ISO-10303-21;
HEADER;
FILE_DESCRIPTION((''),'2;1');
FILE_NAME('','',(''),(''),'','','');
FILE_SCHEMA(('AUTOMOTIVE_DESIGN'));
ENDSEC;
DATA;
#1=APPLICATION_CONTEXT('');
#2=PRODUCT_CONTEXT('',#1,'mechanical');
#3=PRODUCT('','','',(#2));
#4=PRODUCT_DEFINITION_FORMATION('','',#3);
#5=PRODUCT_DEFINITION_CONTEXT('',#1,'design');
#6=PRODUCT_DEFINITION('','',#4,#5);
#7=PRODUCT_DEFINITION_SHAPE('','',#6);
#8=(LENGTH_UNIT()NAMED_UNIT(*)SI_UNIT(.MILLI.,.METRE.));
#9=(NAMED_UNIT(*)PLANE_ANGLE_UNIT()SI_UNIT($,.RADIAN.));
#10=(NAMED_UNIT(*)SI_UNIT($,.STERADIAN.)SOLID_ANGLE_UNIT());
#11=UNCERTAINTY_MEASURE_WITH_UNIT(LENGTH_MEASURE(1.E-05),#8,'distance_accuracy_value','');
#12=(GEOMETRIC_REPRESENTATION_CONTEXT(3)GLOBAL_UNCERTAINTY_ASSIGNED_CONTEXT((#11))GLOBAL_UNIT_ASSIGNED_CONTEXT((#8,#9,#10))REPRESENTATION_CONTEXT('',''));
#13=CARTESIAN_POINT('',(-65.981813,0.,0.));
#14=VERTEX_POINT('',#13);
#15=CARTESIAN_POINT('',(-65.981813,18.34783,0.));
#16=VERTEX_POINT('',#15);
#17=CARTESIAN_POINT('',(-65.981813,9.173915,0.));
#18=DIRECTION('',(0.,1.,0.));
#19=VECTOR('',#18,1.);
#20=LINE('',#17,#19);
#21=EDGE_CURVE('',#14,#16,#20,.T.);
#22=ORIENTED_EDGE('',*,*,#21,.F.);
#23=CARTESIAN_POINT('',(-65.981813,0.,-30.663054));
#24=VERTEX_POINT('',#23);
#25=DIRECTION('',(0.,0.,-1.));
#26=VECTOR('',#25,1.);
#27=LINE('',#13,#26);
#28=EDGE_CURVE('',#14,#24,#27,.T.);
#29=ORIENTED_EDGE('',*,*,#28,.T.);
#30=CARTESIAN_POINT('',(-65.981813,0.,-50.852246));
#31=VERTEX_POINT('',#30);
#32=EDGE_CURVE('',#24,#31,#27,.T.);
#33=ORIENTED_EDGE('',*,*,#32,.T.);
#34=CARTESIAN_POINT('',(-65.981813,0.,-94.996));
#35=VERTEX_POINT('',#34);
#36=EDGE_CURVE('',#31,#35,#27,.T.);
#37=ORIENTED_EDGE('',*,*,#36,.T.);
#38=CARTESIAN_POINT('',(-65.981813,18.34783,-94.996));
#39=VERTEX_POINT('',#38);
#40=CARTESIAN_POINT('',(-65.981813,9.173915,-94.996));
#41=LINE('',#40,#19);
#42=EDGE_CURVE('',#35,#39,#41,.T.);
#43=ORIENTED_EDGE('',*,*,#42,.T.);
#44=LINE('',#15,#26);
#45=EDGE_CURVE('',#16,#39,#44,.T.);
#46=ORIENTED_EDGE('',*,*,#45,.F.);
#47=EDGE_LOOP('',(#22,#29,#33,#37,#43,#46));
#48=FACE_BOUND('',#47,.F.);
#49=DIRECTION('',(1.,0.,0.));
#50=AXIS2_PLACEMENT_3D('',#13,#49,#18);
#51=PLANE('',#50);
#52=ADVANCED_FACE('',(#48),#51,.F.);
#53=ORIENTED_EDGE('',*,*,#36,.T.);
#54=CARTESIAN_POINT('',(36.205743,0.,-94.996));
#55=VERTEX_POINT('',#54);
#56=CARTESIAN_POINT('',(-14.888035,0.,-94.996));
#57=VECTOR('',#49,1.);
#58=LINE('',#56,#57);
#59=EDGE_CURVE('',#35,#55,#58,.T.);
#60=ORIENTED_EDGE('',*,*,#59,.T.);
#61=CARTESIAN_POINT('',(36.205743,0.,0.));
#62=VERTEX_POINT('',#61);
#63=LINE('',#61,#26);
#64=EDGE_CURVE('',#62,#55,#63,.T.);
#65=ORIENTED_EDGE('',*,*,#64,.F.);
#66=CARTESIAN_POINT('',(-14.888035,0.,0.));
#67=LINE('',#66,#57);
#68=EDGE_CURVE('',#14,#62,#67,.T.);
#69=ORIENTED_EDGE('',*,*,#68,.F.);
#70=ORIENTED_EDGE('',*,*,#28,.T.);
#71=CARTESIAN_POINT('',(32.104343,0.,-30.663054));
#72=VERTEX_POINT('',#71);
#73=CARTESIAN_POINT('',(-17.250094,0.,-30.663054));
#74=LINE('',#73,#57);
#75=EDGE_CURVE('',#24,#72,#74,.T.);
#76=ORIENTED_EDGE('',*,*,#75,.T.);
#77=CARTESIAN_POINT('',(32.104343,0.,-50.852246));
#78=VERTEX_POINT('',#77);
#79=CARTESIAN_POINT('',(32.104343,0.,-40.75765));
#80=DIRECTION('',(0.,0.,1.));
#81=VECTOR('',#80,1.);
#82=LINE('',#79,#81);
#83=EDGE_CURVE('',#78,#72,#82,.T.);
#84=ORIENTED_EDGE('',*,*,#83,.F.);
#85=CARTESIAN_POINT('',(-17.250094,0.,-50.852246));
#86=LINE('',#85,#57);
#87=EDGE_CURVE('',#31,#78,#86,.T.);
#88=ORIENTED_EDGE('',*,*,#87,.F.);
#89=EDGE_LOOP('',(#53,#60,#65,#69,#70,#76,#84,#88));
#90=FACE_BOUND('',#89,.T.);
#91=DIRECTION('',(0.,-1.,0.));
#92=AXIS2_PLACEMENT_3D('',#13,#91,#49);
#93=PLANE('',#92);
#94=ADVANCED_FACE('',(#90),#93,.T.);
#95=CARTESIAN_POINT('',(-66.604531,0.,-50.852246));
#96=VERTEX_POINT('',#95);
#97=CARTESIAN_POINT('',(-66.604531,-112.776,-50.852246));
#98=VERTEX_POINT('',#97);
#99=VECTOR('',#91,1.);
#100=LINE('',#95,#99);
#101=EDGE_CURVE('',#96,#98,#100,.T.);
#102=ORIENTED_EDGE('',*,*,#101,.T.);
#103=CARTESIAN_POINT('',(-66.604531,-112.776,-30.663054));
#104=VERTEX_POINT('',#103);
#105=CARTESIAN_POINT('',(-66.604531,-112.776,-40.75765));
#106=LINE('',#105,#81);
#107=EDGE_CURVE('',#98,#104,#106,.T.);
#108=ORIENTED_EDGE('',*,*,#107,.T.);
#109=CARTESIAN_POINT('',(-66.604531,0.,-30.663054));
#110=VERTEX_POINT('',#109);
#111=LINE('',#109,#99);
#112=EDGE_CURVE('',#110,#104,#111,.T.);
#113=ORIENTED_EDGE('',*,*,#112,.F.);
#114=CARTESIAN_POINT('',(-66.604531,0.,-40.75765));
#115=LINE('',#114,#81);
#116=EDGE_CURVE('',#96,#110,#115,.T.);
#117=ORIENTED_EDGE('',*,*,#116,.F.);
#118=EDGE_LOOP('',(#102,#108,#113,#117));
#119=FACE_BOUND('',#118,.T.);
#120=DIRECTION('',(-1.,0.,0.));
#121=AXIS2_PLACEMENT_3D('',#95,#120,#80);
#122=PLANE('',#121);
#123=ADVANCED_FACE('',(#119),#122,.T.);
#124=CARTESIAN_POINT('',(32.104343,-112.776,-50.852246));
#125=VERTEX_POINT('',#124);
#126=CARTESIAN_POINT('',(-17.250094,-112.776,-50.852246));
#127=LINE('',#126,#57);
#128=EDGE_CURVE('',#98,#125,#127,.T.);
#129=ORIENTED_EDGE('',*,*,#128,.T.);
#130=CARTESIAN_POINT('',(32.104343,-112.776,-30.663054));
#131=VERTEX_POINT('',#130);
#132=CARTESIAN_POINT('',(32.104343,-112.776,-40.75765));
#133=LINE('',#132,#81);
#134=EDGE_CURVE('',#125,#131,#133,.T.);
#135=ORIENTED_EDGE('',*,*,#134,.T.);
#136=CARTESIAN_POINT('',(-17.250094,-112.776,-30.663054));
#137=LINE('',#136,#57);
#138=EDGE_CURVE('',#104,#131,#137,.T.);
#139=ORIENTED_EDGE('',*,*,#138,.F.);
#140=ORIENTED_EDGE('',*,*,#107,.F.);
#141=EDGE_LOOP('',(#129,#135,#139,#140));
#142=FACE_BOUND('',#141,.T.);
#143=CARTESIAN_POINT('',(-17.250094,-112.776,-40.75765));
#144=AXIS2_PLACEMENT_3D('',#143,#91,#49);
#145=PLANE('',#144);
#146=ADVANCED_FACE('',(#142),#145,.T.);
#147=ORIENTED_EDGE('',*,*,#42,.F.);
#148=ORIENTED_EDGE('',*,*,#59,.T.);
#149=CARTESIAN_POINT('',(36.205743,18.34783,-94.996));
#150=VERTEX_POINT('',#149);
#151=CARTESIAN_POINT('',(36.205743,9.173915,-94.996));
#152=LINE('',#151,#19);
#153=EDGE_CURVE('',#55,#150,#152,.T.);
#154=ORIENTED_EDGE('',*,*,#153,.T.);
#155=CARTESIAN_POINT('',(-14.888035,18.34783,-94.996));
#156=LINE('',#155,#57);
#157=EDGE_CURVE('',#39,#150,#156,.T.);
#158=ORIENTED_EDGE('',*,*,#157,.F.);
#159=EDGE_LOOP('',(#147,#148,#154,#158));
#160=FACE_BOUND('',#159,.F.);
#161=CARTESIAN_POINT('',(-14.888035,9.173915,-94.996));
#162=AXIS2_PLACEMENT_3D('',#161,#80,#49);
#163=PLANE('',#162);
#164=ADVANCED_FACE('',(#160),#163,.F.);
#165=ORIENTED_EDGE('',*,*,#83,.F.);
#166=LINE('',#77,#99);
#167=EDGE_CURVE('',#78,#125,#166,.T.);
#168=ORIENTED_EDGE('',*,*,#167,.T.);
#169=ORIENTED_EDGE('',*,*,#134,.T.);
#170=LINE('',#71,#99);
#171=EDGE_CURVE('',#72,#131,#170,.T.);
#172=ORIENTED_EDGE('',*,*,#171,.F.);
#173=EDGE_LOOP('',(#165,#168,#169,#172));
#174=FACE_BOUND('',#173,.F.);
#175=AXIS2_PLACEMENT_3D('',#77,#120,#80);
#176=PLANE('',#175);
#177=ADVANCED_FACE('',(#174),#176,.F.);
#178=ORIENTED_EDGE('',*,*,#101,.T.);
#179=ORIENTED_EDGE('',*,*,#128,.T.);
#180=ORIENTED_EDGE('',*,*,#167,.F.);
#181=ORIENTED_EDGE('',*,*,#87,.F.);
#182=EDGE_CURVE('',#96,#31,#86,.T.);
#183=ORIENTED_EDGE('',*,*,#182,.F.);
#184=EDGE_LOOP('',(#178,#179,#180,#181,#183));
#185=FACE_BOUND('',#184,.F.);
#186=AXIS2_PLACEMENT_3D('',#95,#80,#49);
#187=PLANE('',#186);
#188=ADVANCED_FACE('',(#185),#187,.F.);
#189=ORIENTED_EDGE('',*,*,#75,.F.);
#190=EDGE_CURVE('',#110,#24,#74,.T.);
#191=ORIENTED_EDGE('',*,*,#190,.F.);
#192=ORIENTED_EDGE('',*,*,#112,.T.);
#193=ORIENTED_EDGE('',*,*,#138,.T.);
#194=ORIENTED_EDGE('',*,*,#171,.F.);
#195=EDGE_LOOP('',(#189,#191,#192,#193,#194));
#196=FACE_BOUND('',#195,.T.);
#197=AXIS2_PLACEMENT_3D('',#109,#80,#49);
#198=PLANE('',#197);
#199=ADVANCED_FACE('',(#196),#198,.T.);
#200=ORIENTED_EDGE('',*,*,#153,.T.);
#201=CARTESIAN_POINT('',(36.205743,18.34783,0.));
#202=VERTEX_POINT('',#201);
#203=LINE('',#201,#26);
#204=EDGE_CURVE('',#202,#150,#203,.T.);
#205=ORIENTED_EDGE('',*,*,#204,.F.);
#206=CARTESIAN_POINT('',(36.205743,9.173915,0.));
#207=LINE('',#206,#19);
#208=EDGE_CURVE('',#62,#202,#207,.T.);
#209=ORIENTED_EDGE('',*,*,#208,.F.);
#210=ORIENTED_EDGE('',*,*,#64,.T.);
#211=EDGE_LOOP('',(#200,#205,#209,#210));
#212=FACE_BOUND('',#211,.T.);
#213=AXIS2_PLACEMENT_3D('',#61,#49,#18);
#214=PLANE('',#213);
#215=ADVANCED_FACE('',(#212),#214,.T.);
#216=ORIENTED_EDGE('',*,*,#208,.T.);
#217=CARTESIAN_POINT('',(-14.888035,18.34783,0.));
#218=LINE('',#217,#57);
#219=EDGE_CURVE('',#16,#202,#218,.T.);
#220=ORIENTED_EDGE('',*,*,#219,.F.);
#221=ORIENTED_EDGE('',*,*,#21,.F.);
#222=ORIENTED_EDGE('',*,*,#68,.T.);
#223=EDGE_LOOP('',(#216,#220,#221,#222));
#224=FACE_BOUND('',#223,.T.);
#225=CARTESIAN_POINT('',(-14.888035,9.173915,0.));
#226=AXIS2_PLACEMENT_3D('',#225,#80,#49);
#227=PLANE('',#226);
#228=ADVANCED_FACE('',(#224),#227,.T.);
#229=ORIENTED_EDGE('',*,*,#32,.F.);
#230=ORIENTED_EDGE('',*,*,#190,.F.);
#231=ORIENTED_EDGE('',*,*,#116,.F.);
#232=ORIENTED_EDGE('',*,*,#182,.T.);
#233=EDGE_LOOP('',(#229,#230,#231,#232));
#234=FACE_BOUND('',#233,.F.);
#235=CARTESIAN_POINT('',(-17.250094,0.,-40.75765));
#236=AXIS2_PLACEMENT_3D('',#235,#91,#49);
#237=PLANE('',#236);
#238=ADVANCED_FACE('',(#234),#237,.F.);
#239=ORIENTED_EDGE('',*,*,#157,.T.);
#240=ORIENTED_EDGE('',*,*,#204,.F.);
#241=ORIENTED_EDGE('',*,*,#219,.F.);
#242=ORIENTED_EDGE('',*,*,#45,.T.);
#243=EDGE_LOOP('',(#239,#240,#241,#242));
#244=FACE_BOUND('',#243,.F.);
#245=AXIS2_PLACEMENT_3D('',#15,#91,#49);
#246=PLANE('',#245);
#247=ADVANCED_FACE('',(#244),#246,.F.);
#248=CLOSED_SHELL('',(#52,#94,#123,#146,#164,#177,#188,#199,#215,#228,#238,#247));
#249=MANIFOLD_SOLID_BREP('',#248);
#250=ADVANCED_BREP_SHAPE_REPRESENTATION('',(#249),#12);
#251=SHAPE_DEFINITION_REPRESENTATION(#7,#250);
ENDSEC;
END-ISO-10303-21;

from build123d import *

# Parameters (mm, degrees)
F0_W     = 102.187556
F0_H     = 18.34783
F1_DEPTH = 94.996
F2_W     = 98.708875
F2_H     = 20.189193
F3_DEPTH = 112.776


with BuildPart() as f1:
    # F0 (on Top) → F1 (new body)
    with BuildSketch(Plane.XY):
        with Locations((-14.888035, 9.173915)):
            Rectangle(F0_W, F0_H)
    extrude(amount=-F1_DEPTH)

    # F2 (on Front) → F3 (join)
    with BuildSketch(Plane.XZ):
        with Locations((-17.250094, -40.75765)):
            Rectangle(F2_W, F2_H)
    extrude(amount=F3_DEPTH)


solid = f1.part
